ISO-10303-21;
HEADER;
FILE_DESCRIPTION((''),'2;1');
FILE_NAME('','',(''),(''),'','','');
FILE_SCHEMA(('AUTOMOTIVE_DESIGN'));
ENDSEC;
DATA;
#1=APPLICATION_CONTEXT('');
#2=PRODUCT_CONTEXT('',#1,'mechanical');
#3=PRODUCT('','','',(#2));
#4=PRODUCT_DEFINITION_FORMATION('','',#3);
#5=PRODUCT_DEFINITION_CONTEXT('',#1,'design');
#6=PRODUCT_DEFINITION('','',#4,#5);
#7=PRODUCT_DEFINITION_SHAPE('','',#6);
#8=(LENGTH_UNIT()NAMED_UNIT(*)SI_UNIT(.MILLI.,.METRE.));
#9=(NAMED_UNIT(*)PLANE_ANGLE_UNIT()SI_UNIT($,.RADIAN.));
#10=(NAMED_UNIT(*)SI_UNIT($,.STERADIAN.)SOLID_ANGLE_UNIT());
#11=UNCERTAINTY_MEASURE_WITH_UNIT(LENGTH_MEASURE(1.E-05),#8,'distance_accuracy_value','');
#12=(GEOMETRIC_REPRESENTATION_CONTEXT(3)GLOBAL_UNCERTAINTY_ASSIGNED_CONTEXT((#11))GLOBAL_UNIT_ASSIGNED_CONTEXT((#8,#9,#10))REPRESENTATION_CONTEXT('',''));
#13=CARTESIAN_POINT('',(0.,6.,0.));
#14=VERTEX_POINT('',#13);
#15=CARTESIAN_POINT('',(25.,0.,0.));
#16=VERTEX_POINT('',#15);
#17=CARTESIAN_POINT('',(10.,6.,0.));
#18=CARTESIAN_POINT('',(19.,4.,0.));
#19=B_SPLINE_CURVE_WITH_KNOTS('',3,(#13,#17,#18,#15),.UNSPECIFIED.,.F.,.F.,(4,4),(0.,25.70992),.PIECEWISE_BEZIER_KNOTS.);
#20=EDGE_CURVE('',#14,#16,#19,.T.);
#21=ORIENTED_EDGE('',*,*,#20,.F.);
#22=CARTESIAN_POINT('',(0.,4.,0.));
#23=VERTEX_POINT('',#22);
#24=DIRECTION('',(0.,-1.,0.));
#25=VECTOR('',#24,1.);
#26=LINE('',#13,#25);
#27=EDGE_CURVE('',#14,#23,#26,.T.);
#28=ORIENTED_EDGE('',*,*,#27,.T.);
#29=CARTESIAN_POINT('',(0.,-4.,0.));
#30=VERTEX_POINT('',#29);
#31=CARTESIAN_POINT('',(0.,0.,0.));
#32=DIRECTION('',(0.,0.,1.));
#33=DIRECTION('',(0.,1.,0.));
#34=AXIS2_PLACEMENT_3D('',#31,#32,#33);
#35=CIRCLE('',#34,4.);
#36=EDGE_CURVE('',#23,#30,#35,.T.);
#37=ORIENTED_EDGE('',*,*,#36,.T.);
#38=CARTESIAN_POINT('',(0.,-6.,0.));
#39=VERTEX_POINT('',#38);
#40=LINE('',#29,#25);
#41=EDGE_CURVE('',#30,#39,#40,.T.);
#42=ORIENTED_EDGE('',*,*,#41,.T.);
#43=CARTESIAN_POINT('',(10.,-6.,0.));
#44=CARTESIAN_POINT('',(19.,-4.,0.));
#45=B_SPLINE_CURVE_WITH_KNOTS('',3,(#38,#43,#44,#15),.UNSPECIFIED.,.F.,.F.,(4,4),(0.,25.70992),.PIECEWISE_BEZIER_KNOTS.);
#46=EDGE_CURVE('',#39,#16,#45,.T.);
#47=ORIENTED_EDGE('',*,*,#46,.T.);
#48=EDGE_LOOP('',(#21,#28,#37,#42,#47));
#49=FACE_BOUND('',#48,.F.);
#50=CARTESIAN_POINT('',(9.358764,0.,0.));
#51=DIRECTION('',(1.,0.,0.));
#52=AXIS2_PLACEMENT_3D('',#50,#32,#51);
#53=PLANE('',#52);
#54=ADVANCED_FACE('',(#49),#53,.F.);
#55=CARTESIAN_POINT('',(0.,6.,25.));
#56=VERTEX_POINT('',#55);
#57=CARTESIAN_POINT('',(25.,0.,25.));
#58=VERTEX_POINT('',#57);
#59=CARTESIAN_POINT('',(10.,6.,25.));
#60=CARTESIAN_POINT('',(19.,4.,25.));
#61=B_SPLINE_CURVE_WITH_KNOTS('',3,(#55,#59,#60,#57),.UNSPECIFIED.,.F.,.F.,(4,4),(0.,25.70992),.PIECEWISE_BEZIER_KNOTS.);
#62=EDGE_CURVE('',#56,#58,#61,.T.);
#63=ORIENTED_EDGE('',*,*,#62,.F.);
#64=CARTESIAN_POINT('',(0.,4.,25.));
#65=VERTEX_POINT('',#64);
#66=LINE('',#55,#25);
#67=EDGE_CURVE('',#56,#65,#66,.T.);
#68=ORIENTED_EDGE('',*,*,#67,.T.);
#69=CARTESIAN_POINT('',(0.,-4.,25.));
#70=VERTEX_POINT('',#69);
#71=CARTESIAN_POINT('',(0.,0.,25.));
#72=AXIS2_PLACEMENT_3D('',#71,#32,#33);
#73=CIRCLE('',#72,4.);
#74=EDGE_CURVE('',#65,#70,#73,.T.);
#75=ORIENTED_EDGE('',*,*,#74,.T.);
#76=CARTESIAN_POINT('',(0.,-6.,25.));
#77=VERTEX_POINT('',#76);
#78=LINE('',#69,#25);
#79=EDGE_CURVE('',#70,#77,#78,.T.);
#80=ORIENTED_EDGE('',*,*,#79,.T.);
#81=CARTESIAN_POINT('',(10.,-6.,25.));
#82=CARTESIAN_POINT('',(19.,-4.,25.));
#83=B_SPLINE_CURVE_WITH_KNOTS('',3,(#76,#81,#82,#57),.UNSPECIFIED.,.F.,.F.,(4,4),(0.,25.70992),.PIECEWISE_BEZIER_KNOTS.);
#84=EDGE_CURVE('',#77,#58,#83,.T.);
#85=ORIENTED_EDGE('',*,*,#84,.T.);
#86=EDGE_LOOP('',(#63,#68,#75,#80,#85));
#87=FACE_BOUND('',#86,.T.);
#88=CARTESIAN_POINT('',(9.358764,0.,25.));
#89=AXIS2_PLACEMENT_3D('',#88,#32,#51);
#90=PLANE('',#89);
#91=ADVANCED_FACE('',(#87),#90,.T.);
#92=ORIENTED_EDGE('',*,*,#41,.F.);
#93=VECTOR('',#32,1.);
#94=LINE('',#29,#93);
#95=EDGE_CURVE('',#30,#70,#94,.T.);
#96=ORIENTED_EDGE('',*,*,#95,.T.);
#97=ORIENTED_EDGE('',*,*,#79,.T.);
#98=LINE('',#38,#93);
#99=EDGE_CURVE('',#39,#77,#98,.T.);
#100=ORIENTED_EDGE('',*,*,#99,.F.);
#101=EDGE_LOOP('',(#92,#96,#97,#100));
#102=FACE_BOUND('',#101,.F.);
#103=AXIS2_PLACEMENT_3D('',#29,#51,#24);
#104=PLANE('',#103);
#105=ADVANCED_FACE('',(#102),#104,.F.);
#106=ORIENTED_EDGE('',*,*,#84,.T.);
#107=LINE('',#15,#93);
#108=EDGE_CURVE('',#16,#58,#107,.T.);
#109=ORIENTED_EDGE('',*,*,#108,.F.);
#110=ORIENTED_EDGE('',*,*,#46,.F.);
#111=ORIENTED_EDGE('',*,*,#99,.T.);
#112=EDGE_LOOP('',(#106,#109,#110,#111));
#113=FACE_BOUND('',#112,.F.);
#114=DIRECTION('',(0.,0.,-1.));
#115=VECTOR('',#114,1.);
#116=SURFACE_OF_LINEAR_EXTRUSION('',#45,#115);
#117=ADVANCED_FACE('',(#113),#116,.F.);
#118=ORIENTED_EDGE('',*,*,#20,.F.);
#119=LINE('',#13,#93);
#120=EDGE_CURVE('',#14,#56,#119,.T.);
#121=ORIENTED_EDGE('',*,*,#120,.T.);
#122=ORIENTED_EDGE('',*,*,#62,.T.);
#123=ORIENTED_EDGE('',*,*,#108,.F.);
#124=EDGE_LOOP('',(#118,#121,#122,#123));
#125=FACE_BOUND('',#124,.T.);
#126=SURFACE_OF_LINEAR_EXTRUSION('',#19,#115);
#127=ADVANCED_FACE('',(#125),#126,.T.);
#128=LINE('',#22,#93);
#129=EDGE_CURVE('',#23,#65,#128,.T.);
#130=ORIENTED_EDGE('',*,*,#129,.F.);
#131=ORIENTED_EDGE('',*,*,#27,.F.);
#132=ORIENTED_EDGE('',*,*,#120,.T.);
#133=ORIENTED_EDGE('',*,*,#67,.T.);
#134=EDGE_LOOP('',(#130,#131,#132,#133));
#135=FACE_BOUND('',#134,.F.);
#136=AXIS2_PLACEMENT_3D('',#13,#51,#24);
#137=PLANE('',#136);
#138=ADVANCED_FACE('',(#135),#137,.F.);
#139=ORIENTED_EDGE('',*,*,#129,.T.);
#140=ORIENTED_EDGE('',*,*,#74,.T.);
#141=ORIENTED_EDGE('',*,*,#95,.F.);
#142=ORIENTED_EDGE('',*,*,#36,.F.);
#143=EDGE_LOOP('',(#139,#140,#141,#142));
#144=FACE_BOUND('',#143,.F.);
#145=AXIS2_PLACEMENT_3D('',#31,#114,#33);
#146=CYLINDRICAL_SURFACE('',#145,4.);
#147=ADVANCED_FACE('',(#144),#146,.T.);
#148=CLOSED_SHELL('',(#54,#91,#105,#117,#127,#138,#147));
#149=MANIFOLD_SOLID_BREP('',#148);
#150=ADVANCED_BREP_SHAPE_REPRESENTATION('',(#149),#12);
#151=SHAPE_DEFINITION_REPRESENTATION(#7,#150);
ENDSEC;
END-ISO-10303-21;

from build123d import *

# Parameters (mm, degrees)
F1_DEPTH = 25


with BuildPart() as f1:
    # F0 (on Top) → F1 (new body)
    with BuildSketch(Plane.XY):
        with BuildLine():
            Line((0, 6), (0, 4))
            ThreePointArc((0, 4), (-4, 0), (0, -4))
            Line((0, -4), (0, -6))
            add(Edge.make_bspline(
                [(0, -6), (10, -6), (19, -4), (25, 0)],
                knots=[0, 0, 0, 0, 25.70992, 25.70992, 25.70992, 25.70992], degree=3))
            add(Edge.make_bspline(
                [(0, 6), (10, 6), (19, 4), (25, 0)],
                knots=[0, 0, 0, 0, 25.70992, 25.70992, 25.70992, 25.70992], degree=3))
        make_face()
    extrude(amount=F1_DEPTH)


solid = f1.part
